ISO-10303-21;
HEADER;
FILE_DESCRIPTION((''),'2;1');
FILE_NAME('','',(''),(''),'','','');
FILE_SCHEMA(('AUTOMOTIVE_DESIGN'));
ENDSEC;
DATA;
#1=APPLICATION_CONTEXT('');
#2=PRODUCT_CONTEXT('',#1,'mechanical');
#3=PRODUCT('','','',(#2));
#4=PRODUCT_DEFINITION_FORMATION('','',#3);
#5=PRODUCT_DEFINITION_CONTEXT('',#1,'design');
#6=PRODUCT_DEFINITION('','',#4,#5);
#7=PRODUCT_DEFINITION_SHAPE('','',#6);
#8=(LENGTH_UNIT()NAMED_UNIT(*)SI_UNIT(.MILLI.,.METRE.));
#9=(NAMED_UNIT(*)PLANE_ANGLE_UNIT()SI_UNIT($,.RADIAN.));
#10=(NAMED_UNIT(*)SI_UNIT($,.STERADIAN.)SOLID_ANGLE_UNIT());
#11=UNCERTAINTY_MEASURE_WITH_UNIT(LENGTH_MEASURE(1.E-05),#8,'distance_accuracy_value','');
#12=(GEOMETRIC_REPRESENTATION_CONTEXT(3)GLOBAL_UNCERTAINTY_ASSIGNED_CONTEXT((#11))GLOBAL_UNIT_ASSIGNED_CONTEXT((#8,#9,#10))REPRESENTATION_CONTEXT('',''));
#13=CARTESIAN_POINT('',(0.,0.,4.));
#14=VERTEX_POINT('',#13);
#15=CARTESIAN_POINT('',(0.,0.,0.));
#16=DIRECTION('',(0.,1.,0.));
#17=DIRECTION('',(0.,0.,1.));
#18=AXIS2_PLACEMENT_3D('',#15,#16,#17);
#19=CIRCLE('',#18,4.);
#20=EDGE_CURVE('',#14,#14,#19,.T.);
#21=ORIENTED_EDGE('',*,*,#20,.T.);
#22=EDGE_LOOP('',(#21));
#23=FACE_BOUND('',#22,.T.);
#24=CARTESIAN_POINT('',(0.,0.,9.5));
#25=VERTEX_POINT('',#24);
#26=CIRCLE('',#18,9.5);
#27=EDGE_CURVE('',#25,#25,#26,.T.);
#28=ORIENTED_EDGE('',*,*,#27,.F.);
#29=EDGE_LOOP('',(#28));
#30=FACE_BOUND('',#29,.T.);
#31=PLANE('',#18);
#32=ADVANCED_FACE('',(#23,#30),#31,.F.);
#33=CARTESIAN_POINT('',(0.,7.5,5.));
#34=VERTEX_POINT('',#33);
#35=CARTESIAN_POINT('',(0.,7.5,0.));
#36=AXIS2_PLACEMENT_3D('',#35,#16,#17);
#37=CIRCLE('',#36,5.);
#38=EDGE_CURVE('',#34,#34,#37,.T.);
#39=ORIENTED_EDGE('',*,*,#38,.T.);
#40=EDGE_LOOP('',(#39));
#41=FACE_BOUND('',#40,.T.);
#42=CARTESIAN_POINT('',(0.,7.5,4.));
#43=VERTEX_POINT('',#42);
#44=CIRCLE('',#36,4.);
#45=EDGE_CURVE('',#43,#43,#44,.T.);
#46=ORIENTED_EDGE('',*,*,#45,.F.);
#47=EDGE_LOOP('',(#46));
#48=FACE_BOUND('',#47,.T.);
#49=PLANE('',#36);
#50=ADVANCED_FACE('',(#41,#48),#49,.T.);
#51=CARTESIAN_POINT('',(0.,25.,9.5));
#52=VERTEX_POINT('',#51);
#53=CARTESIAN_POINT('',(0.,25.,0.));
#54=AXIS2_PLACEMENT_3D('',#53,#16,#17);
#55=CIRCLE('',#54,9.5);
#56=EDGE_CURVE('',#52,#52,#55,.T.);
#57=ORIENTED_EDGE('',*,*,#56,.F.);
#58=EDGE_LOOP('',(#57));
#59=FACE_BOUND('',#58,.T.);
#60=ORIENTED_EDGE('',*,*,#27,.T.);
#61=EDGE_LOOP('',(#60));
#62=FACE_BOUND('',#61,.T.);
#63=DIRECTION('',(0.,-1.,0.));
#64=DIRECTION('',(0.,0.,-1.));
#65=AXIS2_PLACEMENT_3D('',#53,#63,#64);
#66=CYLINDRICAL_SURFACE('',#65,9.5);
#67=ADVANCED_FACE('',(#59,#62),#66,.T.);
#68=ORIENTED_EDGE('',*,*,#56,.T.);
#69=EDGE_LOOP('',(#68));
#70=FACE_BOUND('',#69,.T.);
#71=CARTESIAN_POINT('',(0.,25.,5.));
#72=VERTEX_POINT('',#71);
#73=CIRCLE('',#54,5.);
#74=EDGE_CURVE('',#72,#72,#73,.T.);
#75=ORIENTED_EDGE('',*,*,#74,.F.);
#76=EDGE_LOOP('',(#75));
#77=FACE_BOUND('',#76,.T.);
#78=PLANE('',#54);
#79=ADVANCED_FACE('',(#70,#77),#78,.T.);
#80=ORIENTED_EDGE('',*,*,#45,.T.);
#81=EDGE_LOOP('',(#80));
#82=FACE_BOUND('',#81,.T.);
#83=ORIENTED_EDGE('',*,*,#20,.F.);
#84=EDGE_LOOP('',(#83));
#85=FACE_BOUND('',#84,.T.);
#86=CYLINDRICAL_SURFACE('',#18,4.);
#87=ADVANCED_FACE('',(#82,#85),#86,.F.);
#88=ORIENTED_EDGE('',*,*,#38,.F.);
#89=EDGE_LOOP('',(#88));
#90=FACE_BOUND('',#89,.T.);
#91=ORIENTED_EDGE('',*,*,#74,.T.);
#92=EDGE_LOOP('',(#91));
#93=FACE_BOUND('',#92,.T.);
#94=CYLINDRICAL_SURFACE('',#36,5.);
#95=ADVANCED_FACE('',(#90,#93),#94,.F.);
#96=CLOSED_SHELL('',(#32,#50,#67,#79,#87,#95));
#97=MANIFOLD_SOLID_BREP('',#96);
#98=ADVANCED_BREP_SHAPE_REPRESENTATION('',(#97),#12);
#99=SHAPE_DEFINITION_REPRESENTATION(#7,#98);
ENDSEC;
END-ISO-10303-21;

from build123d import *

# Parameters (mm, degrees)
SKETCH1_R           = 9.5
BOSS_EXTRUDE1_DEPTH = 25
SKETCH2_R           = 5
CUT_EXTRUDE1_DEPTH  = 17.5
SKETCH3_R           = 4
CUT_EXTRUDE2_DEPTH  = 23.062411473


with BuildPart() as part:
    # Sketch1 → Boss-Extrude1 (new body)
    with BuildSketch(Plane(origin=(0, 0, 0), x_dir=(1, 0, 0), z_dir=(0, 1, 0))):
        with Locations(Location((0, 0, 0), (0, 0, 270))):
            Circle(SKETCH1_R)
    extrude(amount=BOSS_EXTRUDE1_DEPTH)

    # Sketch2 → Cut-Extrude1 (cut)
    with BuildSketch(Plane(origin=(0, 25, 0), x_dir=(1, 0, 0), z_dir=(0, 1, 0))):
        with Locations(Location((0, 0, 0), (0, 0, 270))):
            Circle(SKETCH2_R)
    extrude(amount=-CUT_EXTRUDE1_DEPTH, mode=Mode.SUBTRACT)

    # Sketch3 → Cut-Extrude2 (cut, through all)
    with BuildSketch(Plane(origin=(0, 7.5, 0), x_dir=(1, 0, 0), z_dir=(0, 1, 0))):
        with Locations(Location((0, 0, 0), (0, 0, 270))):
            Circle(SKETCH3_R)
    extrude(amount=-CUT_EXTRUDE2_DEPTH, mode=Mode.SUBTRACT)


solid = part.part
